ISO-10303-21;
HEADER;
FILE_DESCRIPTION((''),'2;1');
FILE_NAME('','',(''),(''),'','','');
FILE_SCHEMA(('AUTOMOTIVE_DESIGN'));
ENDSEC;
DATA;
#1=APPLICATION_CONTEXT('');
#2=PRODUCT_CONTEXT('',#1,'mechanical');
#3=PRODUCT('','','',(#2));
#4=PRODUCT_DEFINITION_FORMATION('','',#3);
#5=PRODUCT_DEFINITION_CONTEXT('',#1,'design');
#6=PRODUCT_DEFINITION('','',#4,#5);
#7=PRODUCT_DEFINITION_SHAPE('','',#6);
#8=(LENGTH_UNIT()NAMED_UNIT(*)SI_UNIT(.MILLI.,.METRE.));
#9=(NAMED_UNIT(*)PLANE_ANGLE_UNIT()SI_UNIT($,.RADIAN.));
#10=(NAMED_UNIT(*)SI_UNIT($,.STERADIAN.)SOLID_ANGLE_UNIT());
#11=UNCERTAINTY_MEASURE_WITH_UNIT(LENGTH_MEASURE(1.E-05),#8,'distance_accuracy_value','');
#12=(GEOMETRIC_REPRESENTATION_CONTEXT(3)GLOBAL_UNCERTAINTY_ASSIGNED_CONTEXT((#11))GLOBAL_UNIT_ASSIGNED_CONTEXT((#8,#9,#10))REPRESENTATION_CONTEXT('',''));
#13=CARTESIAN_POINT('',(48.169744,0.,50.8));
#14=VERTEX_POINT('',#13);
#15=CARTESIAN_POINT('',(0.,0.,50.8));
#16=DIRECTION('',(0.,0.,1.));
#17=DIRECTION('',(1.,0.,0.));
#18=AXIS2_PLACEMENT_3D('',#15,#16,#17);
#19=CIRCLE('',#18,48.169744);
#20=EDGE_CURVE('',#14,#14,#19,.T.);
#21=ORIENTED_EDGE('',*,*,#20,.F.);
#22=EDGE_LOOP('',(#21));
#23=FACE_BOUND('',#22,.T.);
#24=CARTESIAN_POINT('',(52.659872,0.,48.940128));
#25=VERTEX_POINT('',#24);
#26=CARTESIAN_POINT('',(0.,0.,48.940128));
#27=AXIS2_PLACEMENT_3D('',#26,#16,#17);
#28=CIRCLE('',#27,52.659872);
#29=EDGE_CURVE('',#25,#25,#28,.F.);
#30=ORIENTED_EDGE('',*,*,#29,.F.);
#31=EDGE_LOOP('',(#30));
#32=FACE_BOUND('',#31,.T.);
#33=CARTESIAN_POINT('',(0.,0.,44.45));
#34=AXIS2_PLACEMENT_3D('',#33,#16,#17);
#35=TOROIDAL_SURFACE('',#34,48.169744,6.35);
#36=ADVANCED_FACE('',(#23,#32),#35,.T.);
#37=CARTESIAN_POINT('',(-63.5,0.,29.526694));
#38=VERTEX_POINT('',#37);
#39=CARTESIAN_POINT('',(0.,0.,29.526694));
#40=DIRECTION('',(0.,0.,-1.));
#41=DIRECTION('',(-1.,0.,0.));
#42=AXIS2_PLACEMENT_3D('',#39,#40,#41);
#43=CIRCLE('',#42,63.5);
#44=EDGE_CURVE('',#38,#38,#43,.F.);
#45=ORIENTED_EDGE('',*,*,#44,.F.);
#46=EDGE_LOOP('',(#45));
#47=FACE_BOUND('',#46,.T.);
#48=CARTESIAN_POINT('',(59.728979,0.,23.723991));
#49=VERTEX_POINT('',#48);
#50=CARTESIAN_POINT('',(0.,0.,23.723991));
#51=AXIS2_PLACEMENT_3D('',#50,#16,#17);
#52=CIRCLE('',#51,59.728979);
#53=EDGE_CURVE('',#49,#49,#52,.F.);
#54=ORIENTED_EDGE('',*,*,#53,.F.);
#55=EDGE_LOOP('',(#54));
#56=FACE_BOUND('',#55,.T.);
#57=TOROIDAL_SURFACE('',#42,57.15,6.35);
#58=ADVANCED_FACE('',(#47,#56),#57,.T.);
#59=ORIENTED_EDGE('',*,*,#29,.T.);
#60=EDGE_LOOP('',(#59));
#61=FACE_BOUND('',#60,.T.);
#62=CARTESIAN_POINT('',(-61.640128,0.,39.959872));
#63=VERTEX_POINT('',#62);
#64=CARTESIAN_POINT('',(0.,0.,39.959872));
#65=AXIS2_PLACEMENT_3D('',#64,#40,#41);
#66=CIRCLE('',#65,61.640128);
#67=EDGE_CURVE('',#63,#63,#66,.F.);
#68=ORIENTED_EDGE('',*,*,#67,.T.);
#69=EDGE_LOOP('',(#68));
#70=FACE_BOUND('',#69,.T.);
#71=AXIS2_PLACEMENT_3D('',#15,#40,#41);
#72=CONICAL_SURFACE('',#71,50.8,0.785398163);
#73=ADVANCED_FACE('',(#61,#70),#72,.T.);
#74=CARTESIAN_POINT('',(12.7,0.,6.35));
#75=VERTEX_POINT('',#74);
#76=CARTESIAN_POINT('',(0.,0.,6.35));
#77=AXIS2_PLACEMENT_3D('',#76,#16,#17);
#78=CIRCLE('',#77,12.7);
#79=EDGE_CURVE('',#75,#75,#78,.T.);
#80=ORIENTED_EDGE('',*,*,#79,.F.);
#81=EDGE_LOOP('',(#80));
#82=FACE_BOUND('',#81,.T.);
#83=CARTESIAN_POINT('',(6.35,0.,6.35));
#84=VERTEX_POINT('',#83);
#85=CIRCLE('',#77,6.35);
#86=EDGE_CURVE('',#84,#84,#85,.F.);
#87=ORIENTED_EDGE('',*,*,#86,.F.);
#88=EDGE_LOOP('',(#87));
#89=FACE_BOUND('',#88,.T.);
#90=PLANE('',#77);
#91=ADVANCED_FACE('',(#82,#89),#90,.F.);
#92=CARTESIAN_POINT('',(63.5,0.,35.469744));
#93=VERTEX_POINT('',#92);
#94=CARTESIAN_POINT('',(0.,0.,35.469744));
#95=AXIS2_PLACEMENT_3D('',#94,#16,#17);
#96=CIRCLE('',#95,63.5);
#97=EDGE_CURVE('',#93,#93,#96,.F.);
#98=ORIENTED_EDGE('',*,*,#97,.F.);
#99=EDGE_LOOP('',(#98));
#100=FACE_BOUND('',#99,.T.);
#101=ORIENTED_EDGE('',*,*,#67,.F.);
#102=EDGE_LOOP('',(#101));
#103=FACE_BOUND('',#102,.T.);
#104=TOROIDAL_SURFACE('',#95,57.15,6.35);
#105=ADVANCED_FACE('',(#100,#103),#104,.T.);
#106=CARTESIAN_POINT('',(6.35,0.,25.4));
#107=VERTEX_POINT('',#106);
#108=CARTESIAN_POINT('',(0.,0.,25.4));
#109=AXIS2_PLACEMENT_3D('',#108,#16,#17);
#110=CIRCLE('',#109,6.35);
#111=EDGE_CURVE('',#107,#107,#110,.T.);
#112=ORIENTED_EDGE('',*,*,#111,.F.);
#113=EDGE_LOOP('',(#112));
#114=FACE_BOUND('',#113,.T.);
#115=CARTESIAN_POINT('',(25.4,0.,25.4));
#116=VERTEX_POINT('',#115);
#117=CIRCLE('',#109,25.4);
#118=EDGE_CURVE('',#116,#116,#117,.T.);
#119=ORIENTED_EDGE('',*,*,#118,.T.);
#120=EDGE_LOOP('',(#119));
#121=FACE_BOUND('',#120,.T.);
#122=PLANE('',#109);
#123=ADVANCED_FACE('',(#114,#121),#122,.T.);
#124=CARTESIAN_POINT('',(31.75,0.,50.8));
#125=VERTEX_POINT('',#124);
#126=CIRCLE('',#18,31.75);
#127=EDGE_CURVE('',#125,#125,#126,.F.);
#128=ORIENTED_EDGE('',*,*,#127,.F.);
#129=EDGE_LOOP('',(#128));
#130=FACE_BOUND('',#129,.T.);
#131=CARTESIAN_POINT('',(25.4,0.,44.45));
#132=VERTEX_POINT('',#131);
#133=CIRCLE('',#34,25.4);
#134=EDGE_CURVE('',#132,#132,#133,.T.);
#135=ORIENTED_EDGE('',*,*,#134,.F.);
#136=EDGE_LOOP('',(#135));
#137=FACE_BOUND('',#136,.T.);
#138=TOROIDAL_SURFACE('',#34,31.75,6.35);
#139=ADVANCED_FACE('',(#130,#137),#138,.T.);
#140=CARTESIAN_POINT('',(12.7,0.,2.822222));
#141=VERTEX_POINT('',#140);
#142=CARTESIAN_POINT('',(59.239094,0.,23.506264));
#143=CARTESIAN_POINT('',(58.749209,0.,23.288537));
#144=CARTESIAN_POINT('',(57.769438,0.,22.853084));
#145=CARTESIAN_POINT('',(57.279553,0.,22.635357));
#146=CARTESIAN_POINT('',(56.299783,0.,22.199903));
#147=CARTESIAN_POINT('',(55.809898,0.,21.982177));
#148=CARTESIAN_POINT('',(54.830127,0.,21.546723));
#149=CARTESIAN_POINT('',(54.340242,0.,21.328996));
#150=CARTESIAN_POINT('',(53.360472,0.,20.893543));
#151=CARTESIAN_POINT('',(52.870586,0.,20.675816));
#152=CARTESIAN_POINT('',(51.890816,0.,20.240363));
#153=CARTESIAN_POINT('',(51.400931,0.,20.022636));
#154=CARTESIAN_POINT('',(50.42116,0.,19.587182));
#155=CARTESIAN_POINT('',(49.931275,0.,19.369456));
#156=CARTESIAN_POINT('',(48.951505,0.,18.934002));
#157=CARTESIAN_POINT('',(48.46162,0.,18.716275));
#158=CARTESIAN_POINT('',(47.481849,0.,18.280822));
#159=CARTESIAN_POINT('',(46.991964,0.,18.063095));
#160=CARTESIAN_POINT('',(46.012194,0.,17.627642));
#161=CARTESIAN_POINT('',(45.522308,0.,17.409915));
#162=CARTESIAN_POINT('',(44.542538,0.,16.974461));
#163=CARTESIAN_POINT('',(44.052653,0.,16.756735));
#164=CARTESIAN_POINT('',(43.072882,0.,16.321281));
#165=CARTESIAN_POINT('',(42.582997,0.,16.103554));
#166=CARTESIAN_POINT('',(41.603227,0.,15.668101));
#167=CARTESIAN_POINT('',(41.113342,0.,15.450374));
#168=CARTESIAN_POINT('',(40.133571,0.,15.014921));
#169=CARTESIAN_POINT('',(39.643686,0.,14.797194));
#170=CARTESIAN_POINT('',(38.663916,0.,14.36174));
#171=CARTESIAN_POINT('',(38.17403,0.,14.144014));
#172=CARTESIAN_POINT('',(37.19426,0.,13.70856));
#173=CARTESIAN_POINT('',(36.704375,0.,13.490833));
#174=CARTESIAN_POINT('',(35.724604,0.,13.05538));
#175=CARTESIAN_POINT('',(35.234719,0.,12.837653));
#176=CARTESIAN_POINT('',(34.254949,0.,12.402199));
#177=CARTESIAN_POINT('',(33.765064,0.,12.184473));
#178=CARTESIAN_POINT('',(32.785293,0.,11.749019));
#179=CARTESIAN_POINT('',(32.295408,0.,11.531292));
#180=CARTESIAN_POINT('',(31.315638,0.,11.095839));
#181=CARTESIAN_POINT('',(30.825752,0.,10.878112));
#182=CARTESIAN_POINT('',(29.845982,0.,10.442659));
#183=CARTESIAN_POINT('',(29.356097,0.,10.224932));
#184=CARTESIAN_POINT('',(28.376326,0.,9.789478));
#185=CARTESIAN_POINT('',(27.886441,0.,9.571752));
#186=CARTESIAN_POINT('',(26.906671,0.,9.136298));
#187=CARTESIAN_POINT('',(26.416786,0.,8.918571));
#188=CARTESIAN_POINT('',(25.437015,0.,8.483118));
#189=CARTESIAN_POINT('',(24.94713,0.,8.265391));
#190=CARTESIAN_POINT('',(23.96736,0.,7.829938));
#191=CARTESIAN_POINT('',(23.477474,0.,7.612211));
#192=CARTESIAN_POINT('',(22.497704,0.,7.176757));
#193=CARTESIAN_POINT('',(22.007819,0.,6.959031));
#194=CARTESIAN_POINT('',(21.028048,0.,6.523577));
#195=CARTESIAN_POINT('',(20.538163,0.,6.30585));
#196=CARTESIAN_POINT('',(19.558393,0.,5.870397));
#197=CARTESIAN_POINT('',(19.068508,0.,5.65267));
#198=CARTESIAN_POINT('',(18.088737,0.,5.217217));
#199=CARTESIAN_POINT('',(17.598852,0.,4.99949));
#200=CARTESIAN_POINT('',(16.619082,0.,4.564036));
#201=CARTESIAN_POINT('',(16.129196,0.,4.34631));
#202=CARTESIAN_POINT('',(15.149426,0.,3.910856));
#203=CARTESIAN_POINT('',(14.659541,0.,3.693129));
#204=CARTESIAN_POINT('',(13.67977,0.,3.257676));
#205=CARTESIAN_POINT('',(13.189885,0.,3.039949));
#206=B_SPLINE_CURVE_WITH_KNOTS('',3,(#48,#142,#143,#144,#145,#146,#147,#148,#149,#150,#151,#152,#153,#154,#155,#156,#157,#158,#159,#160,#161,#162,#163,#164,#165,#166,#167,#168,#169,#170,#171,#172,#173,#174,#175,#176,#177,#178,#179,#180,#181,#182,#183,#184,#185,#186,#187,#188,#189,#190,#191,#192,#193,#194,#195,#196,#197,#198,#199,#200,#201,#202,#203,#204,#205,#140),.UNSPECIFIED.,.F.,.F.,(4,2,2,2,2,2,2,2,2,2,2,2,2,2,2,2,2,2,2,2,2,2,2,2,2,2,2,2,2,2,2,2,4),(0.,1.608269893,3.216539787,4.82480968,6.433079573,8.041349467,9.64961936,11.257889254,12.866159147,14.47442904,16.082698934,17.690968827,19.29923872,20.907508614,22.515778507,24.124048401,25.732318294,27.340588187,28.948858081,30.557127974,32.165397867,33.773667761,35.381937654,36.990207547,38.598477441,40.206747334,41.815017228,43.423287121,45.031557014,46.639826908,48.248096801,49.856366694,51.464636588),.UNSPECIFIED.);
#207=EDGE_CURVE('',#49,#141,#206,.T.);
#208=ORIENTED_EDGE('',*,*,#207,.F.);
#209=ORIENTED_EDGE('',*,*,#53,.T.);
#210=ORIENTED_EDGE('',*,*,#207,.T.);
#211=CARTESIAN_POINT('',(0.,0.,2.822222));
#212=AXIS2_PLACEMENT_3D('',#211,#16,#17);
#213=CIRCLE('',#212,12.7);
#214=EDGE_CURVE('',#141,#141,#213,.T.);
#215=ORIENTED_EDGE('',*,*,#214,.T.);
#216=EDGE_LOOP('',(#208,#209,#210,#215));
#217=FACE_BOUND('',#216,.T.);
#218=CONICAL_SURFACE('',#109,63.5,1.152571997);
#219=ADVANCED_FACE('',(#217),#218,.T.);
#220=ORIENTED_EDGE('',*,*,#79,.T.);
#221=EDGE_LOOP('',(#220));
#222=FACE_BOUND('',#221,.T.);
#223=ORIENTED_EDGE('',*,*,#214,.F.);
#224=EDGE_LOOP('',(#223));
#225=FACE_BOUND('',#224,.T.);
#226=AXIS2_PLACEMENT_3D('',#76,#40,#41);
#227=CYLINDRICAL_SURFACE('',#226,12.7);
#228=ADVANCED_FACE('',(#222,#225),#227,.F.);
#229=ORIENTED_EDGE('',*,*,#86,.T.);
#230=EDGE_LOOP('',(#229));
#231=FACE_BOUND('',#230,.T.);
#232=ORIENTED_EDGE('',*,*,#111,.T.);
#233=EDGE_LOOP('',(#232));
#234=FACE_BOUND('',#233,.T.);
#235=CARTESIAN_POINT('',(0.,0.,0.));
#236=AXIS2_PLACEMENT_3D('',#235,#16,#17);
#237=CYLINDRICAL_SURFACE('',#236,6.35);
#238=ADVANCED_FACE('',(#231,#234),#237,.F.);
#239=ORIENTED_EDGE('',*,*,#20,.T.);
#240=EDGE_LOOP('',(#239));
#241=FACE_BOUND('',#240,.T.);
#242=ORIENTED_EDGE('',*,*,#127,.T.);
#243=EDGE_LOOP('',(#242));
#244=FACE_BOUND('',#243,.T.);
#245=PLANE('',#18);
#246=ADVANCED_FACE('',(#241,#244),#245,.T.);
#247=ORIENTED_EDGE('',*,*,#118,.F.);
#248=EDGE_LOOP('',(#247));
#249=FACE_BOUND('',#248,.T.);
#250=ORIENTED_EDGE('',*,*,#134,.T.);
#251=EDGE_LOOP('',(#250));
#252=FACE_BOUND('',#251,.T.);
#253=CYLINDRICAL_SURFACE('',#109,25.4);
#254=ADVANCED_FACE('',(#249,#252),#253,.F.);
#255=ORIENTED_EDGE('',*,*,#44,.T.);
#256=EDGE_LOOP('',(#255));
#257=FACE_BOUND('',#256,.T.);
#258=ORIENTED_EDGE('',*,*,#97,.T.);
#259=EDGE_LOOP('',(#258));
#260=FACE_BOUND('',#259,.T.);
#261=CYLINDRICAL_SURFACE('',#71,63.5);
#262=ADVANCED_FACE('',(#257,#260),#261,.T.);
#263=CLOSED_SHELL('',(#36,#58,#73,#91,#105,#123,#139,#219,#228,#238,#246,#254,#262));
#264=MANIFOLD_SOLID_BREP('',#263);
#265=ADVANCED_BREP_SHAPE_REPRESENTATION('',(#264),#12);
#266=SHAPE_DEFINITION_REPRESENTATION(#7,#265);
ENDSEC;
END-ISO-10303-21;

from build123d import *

# Parameters (mm, degrees)
SKETCH1_R           = 63.5
BOSS_EXTRUDE1_DEPTH = 50.8
SKETCH2_R           = 25.4
CUT_EXTRUDE2_DEPTH  = 25.4
SKETCH3_R           = 6.35
CUT_EXTRUDE3_DEPTH  = 94.3255592
SKETCH6_R           = 12.7
CUT_EXTRUDE4_DEPTH  = 6.35
CHAMFER1_SIZE       = 12.7
FILLET1_R           = 6.35


with BuildPart() as part:
    # Sketch1 → Boss-Extrude1 (new body)
    with BuildSketch(Plane.XY):
        Circle(SKETCH1_R)
    extrude(amount=BOSS_EXTRUDE1_DEPTH)

    # Sketch2 → Cut-Extrude2 (cut)
    with BuildSketch(Plane.XY.offset(50.8)):
        Circle(SKETCH2_R)
    extrude(amount=-CUT_EXTRUDE2_DEPTH, mode=Mode.SUBTRACT)

    # Sketch3 → Cut-Extrude3 (cut, through all)
    with BuildSketch(Plane.XY.offset(25.4)):
        Circle(SKETCH3_R)
    extrude(amount=-CUT_EXTRUDE3_DEPTH, mode=Mode.SUBTRACT)

    # Sketch4 → Cut-Revolve1 (revolve, cut)
    with BuildSketch(Plane(origin=(0, 0, 0), x_dir=(0, 0, -1), z_dir=(1, 0, 0)), mode=Mode.PRIVATE) as cut_revolve1_sk:
        Polygon((0, 63.5), (-25.4, 63.5), (0, 6.35), align=None)
    revolve(cut_revolve1_sk.sketch.rotate(Axis((0, 0, 0), (0, 0, -1)), 90), axis=Axis((0, 0, 0), (0, 0, -1)), mode=Mode.SUBTRACT)

    # Sketch6 → Cut-Extrude4 (cut)
    with BuildSketch(Plane.XY):
        Circle(SKETCH6_R)
    extrude(amount=CUT_EXTRUDE4_DEPTH, mode=Mode.SUBTRACT)

    # Chamfer1
    chamfer1_edges = [part.edges().sort_by_distance(p)[0] for p in [
        (-63.5, 0, 50.8),
    ]]
    chamfer(chamfer1_edges, length=CHAMFER1_SIZE)

    # Fillet1
    fillet1_edges = [part.edges().sort_by_distance(p)[0] for p in [
        (-63.5, 0, 25.4),
        (-50.8, 0, 50.8),
        (-63.5, 0, 38.1),
        (-25.4, 0, 50.8),
    ]]
    fillet(fillet1_edges, radius=FILLET1_R)


solid = part.part
